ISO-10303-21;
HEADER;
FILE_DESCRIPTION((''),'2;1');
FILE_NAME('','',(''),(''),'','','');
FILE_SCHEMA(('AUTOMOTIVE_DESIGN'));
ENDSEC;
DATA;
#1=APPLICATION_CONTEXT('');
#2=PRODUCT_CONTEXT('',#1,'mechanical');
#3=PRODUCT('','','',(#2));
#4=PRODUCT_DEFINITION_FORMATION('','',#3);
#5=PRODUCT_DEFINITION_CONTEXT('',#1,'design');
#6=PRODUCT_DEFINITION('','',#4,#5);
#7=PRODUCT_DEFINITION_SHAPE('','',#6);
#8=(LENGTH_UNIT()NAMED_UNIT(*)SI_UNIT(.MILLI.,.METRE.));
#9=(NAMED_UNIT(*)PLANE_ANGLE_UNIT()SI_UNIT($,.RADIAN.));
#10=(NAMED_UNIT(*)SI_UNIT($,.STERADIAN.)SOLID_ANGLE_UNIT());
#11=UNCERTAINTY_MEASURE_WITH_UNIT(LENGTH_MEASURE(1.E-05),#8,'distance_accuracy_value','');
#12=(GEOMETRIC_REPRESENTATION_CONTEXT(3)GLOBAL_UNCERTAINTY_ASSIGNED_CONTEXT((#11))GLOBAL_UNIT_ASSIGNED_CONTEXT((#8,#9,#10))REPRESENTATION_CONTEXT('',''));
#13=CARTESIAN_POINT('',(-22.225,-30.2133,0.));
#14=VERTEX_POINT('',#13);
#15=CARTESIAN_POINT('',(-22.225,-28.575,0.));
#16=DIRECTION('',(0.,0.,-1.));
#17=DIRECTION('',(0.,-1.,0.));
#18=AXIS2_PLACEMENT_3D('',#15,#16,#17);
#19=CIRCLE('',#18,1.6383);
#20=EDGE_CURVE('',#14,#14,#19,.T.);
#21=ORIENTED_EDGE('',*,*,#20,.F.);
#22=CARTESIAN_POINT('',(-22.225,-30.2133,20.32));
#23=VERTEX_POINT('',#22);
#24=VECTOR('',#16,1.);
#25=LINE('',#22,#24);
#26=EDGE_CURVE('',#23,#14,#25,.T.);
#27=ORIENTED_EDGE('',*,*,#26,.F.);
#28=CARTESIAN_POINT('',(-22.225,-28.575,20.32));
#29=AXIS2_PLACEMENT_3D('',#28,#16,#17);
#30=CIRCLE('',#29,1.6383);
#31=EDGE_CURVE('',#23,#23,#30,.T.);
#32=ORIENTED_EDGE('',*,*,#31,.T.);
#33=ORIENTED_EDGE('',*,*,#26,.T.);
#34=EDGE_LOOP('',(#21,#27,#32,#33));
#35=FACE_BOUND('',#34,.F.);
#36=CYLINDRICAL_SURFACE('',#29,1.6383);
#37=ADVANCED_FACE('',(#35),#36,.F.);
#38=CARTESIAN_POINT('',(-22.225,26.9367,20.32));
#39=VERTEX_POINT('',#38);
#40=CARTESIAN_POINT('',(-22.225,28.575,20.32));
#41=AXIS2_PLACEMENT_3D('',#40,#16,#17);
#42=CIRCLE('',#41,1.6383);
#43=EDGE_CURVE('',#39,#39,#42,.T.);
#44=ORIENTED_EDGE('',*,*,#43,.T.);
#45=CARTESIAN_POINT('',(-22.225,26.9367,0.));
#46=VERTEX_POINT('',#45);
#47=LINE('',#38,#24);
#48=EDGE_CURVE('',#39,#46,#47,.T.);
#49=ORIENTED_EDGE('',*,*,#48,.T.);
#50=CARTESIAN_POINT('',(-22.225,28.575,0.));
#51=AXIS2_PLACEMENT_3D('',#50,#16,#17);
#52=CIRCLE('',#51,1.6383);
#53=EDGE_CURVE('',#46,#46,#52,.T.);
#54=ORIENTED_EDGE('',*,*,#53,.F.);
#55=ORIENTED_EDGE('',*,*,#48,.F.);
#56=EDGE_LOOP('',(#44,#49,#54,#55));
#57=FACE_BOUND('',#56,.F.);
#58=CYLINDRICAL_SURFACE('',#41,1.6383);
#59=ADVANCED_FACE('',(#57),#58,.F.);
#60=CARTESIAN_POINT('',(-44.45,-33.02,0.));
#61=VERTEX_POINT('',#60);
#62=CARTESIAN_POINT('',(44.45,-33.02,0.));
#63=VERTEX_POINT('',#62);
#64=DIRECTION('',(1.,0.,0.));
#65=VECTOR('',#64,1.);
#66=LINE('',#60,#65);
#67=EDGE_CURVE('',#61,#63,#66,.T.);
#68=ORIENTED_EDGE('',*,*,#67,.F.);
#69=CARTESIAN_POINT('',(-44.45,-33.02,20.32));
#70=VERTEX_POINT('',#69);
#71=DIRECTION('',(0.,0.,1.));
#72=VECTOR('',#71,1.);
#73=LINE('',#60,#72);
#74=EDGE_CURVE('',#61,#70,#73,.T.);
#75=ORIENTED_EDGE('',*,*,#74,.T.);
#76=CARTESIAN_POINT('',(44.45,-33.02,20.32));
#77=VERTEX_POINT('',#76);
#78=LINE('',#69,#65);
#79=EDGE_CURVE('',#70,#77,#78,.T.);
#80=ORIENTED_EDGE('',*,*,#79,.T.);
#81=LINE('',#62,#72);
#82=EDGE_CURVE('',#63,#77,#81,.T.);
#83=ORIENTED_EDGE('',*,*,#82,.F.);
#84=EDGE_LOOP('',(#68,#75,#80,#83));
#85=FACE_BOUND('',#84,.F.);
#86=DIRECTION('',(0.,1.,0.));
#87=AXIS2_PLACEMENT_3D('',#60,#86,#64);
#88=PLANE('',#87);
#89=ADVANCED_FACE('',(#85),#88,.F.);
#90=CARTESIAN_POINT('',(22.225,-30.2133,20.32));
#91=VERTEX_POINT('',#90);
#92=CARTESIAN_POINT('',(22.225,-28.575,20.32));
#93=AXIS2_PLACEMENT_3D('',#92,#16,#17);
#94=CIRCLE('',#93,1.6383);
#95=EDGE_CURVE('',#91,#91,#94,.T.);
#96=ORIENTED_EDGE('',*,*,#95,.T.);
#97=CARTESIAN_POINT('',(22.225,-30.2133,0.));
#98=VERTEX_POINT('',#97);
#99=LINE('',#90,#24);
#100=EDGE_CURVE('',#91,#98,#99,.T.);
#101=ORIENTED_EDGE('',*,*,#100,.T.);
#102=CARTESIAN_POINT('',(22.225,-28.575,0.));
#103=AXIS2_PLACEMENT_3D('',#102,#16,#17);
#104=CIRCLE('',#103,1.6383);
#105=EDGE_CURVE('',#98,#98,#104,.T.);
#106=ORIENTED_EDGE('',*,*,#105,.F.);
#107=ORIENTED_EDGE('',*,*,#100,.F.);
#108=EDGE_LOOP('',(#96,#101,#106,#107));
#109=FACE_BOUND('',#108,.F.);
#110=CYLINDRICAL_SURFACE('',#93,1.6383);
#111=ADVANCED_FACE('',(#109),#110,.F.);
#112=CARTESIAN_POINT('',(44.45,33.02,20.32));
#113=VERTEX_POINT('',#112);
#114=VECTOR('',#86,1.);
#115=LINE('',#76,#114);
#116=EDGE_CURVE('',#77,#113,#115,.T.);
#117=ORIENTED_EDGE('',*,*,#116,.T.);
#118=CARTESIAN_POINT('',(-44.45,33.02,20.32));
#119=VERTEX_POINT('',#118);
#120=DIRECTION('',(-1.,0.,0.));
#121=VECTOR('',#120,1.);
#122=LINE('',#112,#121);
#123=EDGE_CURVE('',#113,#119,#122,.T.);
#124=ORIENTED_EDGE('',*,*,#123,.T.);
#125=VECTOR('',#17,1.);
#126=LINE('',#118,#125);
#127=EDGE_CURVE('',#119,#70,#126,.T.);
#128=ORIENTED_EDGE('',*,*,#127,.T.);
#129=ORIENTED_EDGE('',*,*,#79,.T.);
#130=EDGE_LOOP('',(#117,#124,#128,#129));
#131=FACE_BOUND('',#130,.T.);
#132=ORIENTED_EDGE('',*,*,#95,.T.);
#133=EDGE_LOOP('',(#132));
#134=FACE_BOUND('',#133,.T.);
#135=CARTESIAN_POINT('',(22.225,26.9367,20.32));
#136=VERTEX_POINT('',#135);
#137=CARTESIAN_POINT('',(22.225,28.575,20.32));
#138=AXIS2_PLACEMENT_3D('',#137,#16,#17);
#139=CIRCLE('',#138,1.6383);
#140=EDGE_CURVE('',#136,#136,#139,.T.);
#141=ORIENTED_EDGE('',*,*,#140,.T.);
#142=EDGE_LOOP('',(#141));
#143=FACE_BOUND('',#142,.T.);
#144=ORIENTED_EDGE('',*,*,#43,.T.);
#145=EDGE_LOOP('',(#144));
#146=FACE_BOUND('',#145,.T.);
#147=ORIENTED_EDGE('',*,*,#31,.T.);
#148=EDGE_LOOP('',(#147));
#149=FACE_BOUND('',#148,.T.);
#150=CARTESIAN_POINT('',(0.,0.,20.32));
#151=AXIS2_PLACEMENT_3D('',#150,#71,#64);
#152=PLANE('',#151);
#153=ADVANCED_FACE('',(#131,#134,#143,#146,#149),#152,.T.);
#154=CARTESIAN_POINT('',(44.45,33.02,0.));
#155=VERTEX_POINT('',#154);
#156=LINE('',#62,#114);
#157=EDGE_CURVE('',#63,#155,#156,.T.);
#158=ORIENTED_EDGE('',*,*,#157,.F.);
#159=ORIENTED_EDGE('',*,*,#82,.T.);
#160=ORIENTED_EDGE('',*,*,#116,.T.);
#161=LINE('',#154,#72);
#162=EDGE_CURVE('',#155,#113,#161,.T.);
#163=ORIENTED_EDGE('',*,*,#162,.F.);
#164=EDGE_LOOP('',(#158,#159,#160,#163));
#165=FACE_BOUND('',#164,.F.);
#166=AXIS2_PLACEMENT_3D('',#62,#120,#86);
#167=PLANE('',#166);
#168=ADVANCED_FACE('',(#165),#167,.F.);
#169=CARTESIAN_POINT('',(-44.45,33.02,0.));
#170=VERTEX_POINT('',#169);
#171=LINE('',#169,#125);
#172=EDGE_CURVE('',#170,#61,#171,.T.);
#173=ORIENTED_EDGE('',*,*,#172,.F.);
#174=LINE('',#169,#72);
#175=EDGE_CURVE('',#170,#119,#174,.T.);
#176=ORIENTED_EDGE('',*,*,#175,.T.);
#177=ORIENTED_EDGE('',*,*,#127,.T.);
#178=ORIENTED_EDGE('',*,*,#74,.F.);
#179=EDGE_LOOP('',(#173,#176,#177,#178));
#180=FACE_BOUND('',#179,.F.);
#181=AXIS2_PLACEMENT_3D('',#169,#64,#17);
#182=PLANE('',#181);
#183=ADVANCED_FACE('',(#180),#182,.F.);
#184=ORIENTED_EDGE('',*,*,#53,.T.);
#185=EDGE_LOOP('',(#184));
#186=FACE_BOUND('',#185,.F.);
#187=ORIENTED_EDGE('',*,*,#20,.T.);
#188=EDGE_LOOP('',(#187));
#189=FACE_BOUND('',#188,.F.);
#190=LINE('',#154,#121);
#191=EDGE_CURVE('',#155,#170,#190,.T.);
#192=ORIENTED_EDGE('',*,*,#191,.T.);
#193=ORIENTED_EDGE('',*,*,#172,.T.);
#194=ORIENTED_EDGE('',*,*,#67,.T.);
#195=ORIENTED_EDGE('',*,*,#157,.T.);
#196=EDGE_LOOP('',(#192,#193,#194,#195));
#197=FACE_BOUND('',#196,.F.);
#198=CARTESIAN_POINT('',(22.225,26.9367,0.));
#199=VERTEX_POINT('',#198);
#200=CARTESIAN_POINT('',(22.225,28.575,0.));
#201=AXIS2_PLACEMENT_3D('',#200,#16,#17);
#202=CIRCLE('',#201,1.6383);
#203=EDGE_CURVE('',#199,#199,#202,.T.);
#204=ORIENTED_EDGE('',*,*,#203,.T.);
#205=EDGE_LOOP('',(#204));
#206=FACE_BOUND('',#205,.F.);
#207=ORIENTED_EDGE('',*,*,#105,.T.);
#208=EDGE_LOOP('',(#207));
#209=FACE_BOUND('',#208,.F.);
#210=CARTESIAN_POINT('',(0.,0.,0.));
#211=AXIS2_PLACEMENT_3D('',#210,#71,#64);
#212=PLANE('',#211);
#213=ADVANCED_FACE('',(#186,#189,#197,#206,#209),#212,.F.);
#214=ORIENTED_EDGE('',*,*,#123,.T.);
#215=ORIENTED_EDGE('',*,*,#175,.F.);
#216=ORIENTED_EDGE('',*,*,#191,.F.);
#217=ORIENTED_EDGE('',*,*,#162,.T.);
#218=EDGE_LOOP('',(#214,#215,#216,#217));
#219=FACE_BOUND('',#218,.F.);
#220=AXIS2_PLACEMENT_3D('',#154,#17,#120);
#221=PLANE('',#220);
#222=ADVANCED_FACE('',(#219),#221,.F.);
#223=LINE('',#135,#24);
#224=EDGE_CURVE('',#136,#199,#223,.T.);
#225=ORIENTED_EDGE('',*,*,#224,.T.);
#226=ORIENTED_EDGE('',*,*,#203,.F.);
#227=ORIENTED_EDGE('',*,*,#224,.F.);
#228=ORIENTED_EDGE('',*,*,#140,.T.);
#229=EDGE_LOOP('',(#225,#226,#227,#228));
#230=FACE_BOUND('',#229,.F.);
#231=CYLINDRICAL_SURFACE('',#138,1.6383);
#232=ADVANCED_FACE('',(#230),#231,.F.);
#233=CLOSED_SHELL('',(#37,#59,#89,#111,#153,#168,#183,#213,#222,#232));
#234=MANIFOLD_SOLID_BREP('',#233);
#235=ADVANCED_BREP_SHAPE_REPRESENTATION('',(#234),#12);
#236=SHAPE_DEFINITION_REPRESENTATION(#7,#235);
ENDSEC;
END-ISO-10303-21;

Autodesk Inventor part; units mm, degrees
ref_plane "YZ Plane" through (0, 0, 0) normal (1, 0, 0) x (0, 1, 0)
ref_plane "XZ Plane" through (0, 0, 0) normal (0, 1, 0) x (-1, 0, 0)
ref_plane "XY Plane" through (0, 0, 0) normal (0, 0, 1) x (1, 0, 0)
sketch "Sketch1" plane through (0, 0, 0) normal (0, 0, 1) x (1, 0, 0)
  line L0 (-44.45, -33.02) -> (44.45, -33.02)
  line L1 (44.45, -33.02) -> (44.45, 33.02)
  line L2 (44.45, 33.02) -> (-44.45, 33.02)
  line L3 (-44.45, 33.02) -> (-44.45, -33.02)
  point P0 (0, 0)
  point P1 (44.45, 0)
  point P2 (0, 33.02)
  dimension "d0" = 88.9
  dimension "d1" = 66.04
extrude "Extrusion1" add sketch "Sketch1" along normal blind 20.32
sketch "Sketch2" plane through (0, 0, 20.32) normal (0, 0, 1) x (1, 0, 0)
  line L0 (-44.45, -33.02) -> (-44.45, 33.02) projected
  line L1 (-44.45, 33.02) -> (44.45, 33.02) projected
  line L2 (-22.225, 28.575) -> (22.225, 28.575)
  line L3 (22.225, 28.575) -> (22.225, -28.575)
  line L4 (22.225, -28.575) -> (-22.225, -28.575)
  line L5 (-22.225, -28.575) -> (-22.225, 28.575)
  point P0 (0, 0)
  point P1 (-22.225, 0)
  point P2 (-44.45, 0)
  point P3 (0, 28.575)
  point P4 (0, 33.02)
  dimension "d4" = 44.45
  dimension "d5" = 57.15
hole "Hole1" at (-22.225, 28.575, 20.32) at (-22.225, -28.575, 20.32) at (22.225, 28.575, 20.32) at (22.225, -28.575, 20.32) direction (0, 0, -1) diameter 3.2766 end through all clearance for "Flat Head Machine Screw (82)" size "#4" standard "Ansi Unified Screw Threads"
properties part number "sabertooth keepout"
